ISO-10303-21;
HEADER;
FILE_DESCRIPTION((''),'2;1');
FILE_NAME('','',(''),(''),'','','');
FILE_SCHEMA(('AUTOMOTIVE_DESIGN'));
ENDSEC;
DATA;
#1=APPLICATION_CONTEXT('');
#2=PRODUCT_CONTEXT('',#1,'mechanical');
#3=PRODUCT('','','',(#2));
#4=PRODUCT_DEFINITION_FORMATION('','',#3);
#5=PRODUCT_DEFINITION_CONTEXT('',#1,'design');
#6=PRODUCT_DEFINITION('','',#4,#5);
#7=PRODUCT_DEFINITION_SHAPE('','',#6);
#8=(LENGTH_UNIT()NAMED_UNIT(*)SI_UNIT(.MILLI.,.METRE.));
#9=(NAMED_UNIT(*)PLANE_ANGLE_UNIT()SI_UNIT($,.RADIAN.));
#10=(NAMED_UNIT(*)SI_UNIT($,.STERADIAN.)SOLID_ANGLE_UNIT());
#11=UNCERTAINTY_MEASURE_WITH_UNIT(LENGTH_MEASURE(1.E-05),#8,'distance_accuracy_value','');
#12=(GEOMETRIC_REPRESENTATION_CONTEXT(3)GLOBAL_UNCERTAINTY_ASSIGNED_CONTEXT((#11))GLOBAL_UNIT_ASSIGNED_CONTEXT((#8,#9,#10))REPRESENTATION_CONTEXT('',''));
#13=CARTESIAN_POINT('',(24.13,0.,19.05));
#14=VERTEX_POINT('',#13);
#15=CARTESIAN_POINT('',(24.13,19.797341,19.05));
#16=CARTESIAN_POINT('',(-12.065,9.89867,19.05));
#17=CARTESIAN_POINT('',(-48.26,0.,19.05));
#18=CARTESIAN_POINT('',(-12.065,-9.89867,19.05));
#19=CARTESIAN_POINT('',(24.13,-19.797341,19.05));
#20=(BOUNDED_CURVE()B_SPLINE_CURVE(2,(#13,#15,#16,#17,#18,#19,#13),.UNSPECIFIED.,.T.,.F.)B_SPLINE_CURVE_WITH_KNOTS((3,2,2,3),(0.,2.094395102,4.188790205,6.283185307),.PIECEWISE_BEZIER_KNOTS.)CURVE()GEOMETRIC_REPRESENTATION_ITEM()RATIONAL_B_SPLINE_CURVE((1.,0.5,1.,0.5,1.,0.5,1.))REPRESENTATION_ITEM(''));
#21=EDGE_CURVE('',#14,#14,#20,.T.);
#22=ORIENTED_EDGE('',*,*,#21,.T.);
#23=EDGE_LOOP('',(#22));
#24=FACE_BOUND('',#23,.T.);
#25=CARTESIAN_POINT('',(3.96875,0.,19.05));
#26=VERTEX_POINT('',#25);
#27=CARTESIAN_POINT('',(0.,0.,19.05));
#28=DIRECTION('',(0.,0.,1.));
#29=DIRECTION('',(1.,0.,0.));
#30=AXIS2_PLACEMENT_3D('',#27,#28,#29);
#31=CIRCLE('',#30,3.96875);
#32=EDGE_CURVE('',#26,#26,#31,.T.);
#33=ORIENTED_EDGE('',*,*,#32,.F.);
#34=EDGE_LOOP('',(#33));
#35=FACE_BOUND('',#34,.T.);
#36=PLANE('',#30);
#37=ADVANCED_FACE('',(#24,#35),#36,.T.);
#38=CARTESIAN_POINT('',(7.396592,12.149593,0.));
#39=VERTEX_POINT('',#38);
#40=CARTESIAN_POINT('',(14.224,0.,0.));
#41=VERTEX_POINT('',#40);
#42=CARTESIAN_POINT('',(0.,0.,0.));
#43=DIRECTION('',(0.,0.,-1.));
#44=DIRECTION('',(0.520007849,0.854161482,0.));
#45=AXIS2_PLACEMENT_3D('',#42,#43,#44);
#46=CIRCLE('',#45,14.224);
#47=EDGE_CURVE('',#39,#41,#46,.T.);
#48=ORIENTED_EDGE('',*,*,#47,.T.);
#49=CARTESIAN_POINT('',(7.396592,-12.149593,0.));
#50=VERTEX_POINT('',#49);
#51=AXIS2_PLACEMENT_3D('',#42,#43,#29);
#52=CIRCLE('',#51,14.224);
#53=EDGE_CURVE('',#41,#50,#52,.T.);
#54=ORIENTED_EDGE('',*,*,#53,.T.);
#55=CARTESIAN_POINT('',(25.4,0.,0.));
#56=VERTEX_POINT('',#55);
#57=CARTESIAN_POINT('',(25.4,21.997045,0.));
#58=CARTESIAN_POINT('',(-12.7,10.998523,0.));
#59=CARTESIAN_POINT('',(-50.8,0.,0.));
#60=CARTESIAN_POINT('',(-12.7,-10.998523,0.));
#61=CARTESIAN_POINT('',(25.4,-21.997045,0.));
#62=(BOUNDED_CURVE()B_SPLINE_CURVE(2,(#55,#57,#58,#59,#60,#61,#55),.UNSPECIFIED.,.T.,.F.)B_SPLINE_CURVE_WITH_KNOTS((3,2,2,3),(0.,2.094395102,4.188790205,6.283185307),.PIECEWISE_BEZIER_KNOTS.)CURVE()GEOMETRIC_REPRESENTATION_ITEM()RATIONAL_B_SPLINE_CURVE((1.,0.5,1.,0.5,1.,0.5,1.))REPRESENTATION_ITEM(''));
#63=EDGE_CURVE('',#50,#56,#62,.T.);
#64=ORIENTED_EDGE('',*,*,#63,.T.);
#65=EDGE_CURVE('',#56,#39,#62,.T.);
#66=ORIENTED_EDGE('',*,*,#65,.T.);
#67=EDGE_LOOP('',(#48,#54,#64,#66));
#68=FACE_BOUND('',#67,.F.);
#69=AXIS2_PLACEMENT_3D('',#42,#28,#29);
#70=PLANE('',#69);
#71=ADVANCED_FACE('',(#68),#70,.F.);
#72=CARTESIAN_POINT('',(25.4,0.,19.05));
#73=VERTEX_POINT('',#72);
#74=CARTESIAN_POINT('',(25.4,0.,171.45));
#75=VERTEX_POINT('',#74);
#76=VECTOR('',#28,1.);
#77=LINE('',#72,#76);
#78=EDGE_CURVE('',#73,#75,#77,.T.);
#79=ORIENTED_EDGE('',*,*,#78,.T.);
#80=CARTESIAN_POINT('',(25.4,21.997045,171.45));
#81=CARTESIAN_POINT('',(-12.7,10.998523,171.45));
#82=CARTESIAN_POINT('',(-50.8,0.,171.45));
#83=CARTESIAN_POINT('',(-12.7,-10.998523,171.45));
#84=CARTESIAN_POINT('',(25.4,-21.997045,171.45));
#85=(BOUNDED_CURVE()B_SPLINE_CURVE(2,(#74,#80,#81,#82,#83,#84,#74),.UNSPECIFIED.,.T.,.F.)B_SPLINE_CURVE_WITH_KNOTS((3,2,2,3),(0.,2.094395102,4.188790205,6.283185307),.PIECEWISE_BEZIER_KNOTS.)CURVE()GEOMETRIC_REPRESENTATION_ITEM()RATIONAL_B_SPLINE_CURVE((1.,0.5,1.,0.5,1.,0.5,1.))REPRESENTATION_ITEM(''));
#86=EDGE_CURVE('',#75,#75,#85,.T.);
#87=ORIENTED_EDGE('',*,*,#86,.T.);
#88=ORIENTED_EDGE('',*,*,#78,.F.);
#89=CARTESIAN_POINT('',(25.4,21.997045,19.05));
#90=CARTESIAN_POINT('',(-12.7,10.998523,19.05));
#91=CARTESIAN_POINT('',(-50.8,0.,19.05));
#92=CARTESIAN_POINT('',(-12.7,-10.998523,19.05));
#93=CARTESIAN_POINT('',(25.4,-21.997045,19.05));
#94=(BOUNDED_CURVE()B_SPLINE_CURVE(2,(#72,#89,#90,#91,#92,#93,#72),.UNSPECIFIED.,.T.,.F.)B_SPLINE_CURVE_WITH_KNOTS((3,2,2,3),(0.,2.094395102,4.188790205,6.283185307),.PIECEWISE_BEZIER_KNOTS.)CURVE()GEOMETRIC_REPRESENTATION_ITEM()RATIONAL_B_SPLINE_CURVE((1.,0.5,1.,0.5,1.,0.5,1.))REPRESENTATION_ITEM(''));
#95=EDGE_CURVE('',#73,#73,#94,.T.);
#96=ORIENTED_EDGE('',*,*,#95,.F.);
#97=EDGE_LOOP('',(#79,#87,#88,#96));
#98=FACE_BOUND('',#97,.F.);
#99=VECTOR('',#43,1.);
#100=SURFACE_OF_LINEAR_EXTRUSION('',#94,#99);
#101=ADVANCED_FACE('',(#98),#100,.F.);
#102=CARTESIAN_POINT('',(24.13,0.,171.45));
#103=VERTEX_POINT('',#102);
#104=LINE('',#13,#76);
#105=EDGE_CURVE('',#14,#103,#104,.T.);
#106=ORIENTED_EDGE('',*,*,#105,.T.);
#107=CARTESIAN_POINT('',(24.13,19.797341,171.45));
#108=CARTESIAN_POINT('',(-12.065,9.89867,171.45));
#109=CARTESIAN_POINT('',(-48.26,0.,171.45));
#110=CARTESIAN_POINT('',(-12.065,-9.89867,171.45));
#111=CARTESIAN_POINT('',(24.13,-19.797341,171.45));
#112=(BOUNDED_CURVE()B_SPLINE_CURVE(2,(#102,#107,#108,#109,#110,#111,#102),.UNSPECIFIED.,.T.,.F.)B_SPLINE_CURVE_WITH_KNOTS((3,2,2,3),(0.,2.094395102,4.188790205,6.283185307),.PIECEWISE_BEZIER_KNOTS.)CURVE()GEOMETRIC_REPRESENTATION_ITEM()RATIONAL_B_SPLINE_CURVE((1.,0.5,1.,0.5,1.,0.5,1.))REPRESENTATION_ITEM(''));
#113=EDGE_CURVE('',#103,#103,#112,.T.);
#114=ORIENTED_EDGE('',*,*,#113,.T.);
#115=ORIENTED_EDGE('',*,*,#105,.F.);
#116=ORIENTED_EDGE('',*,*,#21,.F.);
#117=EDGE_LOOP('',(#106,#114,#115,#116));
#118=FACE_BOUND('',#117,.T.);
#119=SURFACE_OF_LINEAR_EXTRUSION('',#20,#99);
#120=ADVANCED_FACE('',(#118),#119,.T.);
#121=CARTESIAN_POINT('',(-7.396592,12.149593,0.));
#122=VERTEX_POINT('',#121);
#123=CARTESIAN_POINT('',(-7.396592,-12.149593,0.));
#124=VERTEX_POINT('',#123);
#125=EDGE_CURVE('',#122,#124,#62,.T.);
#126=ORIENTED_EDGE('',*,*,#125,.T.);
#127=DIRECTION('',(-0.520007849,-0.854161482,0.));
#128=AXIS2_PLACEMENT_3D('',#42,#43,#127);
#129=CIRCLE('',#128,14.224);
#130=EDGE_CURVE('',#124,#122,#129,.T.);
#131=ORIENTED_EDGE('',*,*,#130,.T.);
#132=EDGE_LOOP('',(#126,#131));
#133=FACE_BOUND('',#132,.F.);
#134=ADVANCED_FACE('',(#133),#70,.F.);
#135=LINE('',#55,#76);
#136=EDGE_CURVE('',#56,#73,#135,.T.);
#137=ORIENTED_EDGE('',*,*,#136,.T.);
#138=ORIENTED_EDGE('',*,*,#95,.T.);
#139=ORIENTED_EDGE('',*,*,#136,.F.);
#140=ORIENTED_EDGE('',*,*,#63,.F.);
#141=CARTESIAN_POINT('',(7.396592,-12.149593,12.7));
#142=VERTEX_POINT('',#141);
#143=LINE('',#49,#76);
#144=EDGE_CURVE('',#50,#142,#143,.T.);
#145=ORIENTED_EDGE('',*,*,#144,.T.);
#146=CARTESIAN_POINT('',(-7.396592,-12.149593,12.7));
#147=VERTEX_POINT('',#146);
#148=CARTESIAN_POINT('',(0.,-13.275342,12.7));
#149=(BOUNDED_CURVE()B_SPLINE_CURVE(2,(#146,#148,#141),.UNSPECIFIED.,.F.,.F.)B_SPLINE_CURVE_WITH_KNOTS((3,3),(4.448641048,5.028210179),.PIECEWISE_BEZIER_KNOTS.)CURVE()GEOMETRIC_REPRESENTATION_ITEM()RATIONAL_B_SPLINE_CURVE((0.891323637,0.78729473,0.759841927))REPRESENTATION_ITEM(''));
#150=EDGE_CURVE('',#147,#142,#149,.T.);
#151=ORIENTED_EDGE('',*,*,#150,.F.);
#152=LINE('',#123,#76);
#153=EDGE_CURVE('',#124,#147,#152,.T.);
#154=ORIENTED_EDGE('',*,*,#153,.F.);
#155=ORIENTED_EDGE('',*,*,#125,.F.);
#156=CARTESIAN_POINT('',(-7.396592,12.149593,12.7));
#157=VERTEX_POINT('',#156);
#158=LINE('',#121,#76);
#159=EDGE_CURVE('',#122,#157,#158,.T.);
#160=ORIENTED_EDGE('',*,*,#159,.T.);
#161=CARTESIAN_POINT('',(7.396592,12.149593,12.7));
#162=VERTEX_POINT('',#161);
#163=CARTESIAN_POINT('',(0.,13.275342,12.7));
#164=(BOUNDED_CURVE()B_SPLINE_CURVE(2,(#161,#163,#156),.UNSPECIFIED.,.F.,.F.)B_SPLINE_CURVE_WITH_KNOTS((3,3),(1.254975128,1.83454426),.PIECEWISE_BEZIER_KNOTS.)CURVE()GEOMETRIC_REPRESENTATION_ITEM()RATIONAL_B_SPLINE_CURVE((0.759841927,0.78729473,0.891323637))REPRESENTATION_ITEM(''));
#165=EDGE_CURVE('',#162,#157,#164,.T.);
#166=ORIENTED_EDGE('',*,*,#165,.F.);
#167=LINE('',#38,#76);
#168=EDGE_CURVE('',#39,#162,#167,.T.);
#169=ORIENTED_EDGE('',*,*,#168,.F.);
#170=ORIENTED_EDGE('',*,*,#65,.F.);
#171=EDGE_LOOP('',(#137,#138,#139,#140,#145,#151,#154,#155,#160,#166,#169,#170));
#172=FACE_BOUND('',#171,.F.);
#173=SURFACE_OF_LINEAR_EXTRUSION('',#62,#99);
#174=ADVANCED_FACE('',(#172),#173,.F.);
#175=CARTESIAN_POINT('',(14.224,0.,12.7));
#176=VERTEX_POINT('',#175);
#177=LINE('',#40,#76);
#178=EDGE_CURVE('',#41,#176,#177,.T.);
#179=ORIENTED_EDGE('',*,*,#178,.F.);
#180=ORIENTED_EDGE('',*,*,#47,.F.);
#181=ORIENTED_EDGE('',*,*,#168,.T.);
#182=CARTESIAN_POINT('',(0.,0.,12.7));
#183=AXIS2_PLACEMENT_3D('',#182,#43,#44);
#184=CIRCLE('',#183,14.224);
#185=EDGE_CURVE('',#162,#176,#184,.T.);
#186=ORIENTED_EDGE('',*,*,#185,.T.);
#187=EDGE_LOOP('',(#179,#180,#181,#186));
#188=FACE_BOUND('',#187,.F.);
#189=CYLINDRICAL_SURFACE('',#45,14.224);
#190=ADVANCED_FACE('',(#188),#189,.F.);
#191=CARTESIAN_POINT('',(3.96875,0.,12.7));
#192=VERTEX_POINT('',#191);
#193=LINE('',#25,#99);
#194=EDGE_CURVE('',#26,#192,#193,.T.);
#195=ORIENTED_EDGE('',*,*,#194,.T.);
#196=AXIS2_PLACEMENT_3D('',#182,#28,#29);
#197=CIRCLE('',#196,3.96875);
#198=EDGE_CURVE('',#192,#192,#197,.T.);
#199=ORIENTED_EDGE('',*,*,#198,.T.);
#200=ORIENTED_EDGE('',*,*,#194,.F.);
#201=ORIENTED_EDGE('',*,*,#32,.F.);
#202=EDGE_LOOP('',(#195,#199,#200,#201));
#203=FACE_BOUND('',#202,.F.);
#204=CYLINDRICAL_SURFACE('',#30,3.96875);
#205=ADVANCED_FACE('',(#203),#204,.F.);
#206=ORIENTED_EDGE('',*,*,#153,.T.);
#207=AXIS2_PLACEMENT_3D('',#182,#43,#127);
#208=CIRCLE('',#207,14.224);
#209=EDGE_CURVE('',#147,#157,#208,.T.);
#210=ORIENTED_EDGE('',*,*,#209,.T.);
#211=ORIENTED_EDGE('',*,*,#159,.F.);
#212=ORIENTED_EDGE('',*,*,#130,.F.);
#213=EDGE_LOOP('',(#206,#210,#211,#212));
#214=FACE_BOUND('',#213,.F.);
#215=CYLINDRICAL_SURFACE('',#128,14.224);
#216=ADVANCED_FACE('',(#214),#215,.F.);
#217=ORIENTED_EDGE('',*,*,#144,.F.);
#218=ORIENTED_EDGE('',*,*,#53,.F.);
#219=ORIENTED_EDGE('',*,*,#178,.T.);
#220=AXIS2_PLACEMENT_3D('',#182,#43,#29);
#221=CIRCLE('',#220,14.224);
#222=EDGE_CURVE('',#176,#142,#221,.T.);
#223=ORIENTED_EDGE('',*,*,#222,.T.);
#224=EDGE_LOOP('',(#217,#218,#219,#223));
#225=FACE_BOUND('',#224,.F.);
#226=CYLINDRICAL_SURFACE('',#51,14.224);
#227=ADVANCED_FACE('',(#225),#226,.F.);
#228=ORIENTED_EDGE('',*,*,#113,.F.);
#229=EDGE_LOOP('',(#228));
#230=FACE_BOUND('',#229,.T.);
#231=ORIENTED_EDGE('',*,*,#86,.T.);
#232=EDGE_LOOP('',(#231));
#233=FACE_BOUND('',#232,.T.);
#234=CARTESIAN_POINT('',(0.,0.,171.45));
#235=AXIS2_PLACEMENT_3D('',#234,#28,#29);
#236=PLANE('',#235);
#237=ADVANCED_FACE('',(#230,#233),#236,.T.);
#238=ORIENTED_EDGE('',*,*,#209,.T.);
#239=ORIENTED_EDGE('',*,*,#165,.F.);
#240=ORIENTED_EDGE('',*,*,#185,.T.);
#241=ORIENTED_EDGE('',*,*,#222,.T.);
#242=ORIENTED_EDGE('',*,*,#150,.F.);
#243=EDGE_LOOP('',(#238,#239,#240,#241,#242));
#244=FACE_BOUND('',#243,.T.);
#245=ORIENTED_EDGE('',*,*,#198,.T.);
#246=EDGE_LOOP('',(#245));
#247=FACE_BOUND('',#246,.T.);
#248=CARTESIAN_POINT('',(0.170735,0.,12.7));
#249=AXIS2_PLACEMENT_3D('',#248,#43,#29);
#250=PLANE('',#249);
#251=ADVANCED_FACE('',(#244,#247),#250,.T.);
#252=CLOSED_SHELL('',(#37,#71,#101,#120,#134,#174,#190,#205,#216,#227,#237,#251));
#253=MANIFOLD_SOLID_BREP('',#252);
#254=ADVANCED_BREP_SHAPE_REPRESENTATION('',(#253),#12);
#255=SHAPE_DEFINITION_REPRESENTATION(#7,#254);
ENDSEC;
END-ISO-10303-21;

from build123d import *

# Parameters (mm, degrees)
F1_DEPTH = 19.05
F3_DEPTH = 12.7
F4_R     = 3.96875
F5_DEPTH = 6.35
F7_DEPTH = 152.4


with BuildPart() as f1:
    # F0 (on Top) → F1 (new body)
    with BuildSketch(Plane.XY):
        with BuildLine():
            add(Edge.make_bspline(
                [(25.4, 0), (25.4, 21.9970452561), (-12.7, 10.9985226281), (-50.8, 0), (-12.7, -10.9985226281), (25.4, -21.9970452561), (25.4, 0)],
                knots=[0, 0, 0, 2.0943951024, 2.0943951024, 4.1887902048, 4.1887902048, 6.2831853072, 6.2831853072, 6.2831853072], degree=2, weights=[1, 0.5, 1, 0.5, 1, 0.5, 1]))
        make_face()
    extrude(amount=F1_DEPTH)

    # F2 (on face) → F3 (cut)
    with BuildSketch(Plane(origin=(0, 0, 0), x_dir=(1, 0, 0), z_dir=(0, 0, -1))):
        with BuildLine():
            ThreePointArc((7.3965916475, -12.149592915), (12.4002277317, -6.9682514452), (14.224, 0))
            ThreePointArc((14.224, 0), (12.4002277317, 6.9682514452), (7.3965916475, 12.149592915))
            add(Edge.make_bspline(
                [(-7.3965916475, 12.149592915), (0, 13.2753419089), (7.3965916475, 12.149592915)],
                knots=[4.4486410477, 4.4486410477, 4.4486410477, 5.0282101794, 5.0282101794, 5.0282101794], degree=2, weights=[0.8913236368, 0.7872947298, 0.7598419267]))
            ThreePointArc((-7.3965916475, 12.149592915), (-14.224, 0), (-7.3965916475, -12.149592915))
            add(Edge.make_bspline(
                [(7.3965916475, -12.149592915), (0, -13.2753419089), (-7.3965916475, -12.149592915)],
                knots=[1.2549751277, 1.2549751277, 1.2549751277, 1.8345442595, 1.8345442595, 1.8345442595], degree=2, weights=[0.7598419267, 0.7872947298, 0.8913236368]))
        make_face()
    extrude(amount=-F3_DEPTH, mode=Mode.SUBTRACT)

    # F4 (on face) → F5 (cut)
    with BuildSketch(Plane.XY.offset(19.05)):
        Circle(F4_R)
    extrude(amount=-F5_DEPTH, mode=Mode.SUBTRACT)

    # F6 (on face) → F7 (join)
    with BuildSketch(Plane.XY.offset(19.05)):
        with BuildLine():
            add(Edge.make_bspline(
                [(25.4, 0), (25.4, 21.9970452561), (-12.7, 10.9985226281), (-50.8, 0), (-12.7, -10.9985226281), (25.4, -21.9970452561), (25.4, 0)],
                knots=[0, 0, 0, 2.0943951024, 2.0943951024, 4.1887902048, 4.1887902048, 6.2831853072, 6.2831853072, 6.2831853072], degree=2, weights=[1, 0.5, 1, 0.5, 1, 0.5, 1]))
        make_face()
        with BuildLine():
            add(Edge.make_bspline(
                [(24.13, 0), (24.13, 19.7973407305), (-12.065, 9.8986703653), (-48.26, 0), (-12.065, -9.8986703653), (24.13, -19.7973407305), (24.13, 0)],
                knots=[0, 0, 0, 2.0943951024, 2.0943951024, 4.1887902048, 4.1887902048, 6.2831853072, 6.2831853072, 6.2831853072], degree=2, weights=[1, 0.5, 1, 0.5, 1, 0.5, 1]))
        make_face(mode=Mode.SUBTRACT)
    extrude(amount=F7_DEPTH)


solid = f1.part
